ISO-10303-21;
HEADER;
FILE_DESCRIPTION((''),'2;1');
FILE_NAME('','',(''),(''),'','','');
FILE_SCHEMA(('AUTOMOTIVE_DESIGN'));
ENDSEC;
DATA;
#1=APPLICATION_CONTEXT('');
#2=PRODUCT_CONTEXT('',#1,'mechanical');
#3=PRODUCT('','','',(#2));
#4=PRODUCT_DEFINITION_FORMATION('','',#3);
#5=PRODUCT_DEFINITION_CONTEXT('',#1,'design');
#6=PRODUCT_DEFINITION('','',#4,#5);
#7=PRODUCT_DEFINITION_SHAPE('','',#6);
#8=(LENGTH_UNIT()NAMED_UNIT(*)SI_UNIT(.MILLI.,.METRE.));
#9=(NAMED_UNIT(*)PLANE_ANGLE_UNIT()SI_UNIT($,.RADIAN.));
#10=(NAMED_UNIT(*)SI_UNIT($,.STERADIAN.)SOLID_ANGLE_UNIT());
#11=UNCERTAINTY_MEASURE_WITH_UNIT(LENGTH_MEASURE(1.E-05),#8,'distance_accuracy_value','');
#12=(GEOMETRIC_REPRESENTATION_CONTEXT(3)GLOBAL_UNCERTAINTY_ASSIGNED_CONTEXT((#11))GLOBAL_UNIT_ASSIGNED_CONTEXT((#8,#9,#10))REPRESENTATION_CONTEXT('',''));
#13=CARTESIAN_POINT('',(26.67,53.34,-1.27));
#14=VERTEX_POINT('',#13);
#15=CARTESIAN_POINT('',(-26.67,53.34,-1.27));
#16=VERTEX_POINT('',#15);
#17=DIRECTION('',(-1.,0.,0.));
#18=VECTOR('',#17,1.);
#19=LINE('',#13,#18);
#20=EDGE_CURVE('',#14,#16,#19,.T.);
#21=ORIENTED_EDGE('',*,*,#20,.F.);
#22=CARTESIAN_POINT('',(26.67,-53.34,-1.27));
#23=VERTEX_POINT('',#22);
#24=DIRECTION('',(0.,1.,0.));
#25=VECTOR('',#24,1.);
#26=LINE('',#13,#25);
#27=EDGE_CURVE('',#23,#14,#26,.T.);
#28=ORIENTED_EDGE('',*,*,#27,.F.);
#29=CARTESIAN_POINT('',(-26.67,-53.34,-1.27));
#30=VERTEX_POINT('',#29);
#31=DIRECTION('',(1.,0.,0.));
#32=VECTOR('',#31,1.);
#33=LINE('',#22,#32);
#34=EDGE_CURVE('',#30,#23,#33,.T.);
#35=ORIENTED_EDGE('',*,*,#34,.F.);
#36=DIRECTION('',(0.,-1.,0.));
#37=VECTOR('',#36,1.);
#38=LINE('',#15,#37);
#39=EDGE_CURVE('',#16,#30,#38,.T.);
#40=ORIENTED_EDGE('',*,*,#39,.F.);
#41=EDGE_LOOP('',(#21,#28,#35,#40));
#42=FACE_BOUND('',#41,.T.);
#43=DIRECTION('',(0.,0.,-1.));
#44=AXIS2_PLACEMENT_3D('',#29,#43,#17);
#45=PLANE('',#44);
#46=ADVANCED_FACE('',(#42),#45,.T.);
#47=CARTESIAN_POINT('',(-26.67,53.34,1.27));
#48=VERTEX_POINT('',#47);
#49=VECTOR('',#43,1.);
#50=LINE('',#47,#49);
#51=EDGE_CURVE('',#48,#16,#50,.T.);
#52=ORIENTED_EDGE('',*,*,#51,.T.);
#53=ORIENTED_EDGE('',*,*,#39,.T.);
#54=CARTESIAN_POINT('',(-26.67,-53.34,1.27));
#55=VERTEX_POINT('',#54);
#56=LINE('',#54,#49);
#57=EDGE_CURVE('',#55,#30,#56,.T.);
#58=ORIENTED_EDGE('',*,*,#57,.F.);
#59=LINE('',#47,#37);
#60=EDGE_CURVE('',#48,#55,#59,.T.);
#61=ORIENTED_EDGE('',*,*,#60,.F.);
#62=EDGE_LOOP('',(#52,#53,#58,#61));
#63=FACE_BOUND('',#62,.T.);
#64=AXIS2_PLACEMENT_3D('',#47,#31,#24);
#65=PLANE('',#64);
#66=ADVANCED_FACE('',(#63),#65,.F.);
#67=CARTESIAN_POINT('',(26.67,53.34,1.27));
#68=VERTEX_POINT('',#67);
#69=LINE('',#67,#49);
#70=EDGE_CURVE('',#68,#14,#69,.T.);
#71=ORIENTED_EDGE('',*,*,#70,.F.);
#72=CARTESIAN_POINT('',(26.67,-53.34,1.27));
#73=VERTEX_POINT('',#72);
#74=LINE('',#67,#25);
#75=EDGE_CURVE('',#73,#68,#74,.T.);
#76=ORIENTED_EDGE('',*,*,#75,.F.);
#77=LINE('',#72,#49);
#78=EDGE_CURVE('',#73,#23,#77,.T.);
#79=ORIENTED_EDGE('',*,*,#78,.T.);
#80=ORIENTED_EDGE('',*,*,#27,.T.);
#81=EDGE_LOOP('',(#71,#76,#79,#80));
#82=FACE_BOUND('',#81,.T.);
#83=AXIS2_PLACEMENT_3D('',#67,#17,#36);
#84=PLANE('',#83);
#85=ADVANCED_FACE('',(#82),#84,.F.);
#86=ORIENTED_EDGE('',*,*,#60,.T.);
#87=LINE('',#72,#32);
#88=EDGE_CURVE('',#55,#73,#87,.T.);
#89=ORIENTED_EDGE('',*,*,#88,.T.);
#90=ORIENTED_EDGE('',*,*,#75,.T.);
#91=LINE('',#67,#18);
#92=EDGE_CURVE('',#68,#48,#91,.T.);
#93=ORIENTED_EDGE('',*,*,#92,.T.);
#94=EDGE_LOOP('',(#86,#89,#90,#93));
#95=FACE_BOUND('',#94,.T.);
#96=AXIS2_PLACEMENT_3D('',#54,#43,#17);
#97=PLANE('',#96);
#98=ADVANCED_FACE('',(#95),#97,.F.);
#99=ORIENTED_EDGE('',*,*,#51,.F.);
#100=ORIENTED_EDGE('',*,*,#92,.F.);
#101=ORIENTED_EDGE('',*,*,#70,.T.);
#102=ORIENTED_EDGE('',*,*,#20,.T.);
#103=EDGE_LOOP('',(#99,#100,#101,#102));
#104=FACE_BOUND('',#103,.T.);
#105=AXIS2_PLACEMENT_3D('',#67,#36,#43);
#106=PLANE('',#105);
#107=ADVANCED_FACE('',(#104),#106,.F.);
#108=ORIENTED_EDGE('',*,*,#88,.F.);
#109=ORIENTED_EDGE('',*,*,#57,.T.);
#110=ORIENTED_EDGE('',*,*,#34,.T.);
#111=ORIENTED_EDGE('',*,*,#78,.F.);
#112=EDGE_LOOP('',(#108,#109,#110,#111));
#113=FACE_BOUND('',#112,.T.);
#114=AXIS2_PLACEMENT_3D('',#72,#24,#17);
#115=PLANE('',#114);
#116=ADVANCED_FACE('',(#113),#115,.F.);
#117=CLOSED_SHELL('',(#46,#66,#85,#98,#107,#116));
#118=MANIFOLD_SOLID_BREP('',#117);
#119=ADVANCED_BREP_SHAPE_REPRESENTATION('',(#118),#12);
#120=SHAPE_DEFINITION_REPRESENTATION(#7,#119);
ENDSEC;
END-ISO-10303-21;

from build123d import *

# Parameters (mm, degrees)
SKETCH1_W           = 53.34
SKETCH1_H           = 106.68
BOSS_EXTRUDE2_DEPTH = 1.27


with BuildPart() as part:
    # Sketch1 → Boss-Extrude2 (new body, symmetric)
    with BuildSketch(Plane.XY):
        Rectangle(SKETCH1_W, SKETCH1_H)
    extrude(amount=BOSS_EXTRUDE2_DEPTH, both=True)


solid = part.part
